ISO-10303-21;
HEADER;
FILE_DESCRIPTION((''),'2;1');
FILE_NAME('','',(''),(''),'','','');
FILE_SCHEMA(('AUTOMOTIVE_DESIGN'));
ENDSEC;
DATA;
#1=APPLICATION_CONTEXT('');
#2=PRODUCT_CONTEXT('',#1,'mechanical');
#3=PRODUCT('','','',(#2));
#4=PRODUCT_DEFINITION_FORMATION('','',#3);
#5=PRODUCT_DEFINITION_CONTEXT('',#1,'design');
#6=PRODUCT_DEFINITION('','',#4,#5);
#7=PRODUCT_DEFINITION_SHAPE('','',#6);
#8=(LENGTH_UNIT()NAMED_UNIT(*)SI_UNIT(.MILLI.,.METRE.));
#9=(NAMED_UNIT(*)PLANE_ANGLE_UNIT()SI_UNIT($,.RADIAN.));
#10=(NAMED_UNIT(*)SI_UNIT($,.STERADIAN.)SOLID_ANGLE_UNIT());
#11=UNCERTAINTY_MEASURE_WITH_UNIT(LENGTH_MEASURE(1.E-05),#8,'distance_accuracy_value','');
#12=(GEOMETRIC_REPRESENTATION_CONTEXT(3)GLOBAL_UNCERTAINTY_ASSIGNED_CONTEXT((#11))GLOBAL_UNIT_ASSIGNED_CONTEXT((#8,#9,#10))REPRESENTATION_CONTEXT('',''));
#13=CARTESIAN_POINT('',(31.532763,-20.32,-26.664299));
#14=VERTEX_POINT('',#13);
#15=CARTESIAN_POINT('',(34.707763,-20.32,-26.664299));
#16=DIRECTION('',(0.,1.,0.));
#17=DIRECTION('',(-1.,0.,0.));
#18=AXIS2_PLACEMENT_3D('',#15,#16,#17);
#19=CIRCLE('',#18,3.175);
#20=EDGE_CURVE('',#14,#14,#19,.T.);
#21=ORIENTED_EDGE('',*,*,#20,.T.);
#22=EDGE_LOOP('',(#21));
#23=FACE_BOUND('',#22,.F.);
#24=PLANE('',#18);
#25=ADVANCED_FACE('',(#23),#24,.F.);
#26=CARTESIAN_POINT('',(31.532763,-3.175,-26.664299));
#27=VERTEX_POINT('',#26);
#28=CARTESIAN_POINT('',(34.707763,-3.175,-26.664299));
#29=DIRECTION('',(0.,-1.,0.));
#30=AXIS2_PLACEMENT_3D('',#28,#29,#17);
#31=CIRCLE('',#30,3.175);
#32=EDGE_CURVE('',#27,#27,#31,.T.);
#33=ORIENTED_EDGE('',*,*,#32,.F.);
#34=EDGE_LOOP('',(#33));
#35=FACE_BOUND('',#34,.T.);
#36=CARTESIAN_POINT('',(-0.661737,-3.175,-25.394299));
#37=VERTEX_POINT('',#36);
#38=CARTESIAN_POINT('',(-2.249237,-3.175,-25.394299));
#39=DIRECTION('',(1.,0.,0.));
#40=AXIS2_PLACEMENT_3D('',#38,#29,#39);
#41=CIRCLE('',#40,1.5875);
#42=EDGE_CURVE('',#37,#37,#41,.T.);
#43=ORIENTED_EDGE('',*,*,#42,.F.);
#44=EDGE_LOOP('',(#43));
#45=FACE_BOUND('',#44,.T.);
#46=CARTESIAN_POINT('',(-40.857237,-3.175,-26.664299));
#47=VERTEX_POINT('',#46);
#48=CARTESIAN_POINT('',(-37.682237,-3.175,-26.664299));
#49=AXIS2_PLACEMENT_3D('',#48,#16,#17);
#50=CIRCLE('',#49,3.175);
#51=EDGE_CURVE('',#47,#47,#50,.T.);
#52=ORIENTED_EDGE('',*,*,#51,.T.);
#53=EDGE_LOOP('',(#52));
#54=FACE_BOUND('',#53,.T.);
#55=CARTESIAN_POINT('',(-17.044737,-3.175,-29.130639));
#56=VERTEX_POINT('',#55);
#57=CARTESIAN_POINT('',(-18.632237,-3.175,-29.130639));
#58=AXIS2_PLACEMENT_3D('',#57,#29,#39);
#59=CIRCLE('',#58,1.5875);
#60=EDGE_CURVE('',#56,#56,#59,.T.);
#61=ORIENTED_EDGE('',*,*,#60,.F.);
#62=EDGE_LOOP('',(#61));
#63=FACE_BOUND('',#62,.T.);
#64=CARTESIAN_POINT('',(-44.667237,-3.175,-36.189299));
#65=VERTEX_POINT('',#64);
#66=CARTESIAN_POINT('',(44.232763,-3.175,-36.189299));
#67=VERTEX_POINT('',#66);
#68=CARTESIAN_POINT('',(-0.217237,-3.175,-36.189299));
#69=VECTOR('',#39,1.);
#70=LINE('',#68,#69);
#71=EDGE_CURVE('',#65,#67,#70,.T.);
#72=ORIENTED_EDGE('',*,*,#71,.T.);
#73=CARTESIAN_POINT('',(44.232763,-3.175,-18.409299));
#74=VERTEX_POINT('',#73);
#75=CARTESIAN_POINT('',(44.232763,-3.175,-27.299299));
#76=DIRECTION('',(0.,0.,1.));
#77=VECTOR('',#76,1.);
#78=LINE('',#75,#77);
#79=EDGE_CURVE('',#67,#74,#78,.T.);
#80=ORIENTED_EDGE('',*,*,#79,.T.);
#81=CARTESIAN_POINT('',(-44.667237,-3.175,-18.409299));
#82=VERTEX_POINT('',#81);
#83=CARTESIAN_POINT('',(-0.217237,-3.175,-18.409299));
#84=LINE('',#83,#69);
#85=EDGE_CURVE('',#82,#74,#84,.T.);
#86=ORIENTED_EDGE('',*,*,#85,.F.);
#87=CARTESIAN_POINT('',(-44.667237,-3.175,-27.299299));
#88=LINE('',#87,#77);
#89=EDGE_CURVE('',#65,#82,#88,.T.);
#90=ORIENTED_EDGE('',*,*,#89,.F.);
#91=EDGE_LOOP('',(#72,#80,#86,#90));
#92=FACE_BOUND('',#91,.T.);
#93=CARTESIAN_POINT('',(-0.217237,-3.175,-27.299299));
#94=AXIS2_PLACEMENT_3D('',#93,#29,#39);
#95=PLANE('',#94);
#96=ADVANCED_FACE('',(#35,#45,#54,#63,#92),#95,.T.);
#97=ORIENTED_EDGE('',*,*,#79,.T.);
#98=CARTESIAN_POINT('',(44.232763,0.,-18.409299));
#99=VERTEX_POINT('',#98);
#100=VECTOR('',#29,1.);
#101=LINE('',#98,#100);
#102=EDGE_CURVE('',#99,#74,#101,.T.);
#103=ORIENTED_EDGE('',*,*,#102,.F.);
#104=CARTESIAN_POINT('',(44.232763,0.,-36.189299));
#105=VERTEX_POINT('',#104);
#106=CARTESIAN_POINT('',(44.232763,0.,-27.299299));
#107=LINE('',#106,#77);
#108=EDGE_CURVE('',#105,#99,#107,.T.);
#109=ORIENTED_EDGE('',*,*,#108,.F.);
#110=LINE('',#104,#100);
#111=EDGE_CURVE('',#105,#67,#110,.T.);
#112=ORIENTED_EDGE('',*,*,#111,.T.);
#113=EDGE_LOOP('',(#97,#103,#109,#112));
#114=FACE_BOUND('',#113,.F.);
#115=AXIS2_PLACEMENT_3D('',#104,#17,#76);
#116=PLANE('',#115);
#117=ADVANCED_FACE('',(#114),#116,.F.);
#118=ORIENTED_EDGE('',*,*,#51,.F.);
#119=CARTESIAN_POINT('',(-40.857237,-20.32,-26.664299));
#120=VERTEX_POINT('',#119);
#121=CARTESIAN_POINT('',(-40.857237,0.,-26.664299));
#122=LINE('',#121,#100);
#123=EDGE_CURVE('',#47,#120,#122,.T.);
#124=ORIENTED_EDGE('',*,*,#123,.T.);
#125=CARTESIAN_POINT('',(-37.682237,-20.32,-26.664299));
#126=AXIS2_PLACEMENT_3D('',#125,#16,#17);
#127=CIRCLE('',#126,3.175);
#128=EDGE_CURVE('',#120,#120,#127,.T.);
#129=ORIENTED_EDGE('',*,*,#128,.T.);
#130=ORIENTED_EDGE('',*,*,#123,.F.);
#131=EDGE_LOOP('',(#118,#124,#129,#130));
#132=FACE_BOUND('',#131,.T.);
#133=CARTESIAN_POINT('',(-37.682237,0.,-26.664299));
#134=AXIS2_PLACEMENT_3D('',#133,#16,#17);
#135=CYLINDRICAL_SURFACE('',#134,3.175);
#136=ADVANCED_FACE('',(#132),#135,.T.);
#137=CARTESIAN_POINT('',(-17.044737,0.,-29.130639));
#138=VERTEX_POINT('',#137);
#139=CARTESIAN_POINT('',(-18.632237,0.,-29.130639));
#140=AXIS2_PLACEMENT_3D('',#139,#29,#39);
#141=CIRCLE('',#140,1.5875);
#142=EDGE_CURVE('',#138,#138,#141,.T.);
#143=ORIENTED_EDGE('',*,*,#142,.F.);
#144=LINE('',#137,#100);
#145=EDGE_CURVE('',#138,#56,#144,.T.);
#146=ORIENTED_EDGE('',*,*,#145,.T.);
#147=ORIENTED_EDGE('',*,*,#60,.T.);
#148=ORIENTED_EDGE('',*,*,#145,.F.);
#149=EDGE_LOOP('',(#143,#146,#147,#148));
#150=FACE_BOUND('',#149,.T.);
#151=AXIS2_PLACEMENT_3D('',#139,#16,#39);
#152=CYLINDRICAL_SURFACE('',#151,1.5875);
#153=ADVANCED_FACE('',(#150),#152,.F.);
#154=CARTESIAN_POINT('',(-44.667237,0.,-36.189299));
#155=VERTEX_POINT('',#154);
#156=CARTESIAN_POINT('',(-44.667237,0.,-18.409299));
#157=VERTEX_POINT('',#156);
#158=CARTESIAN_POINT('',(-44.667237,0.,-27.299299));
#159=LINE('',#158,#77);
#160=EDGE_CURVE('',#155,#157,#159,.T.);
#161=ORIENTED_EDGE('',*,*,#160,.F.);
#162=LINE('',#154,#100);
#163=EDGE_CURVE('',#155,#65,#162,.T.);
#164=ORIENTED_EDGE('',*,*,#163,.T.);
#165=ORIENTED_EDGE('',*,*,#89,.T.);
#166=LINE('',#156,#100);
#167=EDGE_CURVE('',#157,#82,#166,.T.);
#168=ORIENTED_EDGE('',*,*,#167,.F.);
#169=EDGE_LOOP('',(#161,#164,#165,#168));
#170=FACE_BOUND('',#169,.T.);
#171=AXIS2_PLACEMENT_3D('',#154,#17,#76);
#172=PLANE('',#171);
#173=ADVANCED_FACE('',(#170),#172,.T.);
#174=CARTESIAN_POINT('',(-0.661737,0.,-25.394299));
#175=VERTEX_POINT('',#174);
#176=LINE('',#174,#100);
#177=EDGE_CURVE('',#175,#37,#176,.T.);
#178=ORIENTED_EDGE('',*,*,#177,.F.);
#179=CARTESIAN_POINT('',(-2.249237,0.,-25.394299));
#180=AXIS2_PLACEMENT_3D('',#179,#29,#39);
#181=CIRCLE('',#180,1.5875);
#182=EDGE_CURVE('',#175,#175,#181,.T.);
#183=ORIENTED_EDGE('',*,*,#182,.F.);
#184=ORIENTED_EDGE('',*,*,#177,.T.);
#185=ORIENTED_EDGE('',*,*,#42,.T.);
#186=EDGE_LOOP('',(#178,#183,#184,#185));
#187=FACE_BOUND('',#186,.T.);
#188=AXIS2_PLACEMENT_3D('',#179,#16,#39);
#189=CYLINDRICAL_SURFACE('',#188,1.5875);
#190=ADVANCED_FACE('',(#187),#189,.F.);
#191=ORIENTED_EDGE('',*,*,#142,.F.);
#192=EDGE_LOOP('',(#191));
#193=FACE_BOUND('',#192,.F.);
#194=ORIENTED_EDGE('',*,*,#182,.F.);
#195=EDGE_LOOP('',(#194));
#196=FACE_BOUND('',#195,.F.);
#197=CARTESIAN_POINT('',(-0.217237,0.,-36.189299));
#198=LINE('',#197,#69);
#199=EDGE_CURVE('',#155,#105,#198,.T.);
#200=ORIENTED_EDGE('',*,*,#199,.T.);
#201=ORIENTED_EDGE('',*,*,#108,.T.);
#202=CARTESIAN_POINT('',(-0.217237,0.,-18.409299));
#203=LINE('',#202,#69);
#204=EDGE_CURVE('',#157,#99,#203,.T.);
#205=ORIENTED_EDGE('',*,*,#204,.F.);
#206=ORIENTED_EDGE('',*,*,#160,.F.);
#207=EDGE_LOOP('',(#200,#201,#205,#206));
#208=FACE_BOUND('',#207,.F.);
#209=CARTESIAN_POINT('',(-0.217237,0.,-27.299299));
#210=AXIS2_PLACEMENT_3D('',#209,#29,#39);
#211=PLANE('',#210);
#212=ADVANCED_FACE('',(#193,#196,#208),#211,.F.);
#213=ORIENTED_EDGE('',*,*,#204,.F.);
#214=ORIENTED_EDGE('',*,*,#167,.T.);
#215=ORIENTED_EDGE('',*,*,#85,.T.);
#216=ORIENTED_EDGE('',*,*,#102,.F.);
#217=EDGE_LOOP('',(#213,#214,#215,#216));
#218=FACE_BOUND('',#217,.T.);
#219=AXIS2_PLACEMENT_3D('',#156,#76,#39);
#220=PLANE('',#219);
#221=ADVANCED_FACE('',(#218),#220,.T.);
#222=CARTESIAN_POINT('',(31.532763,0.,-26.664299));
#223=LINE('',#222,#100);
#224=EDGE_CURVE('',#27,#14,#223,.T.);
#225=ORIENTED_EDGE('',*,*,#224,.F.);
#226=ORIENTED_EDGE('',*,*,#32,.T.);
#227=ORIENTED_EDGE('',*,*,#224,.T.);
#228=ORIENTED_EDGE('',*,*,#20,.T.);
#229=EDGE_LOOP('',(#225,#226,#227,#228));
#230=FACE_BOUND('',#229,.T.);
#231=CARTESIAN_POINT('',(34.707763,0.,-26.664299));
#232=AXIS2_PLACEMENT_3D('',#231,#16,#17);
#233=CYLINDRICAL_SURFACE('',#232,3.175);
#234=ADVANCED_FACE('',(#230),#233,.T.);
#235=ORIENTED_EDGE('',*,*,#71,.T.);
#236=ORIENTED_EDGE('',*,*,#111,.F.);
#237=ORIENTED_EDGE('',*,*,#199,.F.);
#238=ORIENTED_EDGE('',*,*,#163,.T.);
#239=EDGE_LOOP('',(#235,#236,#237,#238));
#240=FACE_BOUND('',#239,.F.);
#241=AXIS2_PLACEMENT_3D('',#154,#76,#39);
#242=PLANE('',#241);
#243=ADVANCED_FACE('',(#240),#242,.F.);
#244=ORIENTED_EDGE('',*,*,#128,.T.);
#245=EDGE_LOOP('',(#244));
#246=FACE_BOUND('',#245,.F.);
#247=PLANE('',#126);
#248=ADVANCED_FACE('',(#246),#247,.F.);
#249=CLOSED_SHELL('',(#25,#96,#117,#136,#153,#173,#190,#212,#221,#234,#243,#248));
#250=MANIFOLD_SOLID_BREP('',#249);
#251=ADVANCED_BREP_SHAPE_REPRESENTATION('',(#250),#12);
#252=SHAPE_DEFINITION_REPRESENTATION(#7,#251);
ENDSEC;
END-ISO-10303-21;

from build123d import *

# Parameters (mm, degrees)
F0_W     = 88.9
F0_H     = 17.78
F0_R     = 1.5875
F0_R_2   = 3.175
F1_DEPTH = 3.175
F2_R     = 3.175
F3_DEPTH = 20.32


with BuildPart() as f1:
    # F0 (on Front) → F1 (new body)
    with BuildSketch(Plane.XZ):
        with Locations((-0.217237, -27.299299)):
            Rectangle(F0_W, F0_H)
        with Locations((-18.632237, -29.130639)):
            Circle(F0_R, mode=Mode.SUBTRACT)
        with Locations((-37.682237, -26.664299)):
            Circle(F0_R_2, mode=Mode.SUBTRACT)
        with Locations((-2.249237, -25.394299)):
            Circle(F0_R, mode=Mode.SUBTRACT)
        with Locations((34.707763, -26.664299)):
            Circle(F0_R_2, mode=Mode.SUBTRACT)
    extrude(amount=F1_DEPTH)

    # F2 (on face) → F3 (join)
    with BuildSketch(Plane(origin=(0, 0, 0), x_dir=(-1, 0, 0), z_dir=(0, 1, 0))):
        with Locations((-34.707763, -26.664299)):
            Circle(F2_R)
        with Locations((37.682237, -26.664299)):
            Circle(F2_R)
    extrude(amount=-F3_DEPTH)


solid = f1.part
